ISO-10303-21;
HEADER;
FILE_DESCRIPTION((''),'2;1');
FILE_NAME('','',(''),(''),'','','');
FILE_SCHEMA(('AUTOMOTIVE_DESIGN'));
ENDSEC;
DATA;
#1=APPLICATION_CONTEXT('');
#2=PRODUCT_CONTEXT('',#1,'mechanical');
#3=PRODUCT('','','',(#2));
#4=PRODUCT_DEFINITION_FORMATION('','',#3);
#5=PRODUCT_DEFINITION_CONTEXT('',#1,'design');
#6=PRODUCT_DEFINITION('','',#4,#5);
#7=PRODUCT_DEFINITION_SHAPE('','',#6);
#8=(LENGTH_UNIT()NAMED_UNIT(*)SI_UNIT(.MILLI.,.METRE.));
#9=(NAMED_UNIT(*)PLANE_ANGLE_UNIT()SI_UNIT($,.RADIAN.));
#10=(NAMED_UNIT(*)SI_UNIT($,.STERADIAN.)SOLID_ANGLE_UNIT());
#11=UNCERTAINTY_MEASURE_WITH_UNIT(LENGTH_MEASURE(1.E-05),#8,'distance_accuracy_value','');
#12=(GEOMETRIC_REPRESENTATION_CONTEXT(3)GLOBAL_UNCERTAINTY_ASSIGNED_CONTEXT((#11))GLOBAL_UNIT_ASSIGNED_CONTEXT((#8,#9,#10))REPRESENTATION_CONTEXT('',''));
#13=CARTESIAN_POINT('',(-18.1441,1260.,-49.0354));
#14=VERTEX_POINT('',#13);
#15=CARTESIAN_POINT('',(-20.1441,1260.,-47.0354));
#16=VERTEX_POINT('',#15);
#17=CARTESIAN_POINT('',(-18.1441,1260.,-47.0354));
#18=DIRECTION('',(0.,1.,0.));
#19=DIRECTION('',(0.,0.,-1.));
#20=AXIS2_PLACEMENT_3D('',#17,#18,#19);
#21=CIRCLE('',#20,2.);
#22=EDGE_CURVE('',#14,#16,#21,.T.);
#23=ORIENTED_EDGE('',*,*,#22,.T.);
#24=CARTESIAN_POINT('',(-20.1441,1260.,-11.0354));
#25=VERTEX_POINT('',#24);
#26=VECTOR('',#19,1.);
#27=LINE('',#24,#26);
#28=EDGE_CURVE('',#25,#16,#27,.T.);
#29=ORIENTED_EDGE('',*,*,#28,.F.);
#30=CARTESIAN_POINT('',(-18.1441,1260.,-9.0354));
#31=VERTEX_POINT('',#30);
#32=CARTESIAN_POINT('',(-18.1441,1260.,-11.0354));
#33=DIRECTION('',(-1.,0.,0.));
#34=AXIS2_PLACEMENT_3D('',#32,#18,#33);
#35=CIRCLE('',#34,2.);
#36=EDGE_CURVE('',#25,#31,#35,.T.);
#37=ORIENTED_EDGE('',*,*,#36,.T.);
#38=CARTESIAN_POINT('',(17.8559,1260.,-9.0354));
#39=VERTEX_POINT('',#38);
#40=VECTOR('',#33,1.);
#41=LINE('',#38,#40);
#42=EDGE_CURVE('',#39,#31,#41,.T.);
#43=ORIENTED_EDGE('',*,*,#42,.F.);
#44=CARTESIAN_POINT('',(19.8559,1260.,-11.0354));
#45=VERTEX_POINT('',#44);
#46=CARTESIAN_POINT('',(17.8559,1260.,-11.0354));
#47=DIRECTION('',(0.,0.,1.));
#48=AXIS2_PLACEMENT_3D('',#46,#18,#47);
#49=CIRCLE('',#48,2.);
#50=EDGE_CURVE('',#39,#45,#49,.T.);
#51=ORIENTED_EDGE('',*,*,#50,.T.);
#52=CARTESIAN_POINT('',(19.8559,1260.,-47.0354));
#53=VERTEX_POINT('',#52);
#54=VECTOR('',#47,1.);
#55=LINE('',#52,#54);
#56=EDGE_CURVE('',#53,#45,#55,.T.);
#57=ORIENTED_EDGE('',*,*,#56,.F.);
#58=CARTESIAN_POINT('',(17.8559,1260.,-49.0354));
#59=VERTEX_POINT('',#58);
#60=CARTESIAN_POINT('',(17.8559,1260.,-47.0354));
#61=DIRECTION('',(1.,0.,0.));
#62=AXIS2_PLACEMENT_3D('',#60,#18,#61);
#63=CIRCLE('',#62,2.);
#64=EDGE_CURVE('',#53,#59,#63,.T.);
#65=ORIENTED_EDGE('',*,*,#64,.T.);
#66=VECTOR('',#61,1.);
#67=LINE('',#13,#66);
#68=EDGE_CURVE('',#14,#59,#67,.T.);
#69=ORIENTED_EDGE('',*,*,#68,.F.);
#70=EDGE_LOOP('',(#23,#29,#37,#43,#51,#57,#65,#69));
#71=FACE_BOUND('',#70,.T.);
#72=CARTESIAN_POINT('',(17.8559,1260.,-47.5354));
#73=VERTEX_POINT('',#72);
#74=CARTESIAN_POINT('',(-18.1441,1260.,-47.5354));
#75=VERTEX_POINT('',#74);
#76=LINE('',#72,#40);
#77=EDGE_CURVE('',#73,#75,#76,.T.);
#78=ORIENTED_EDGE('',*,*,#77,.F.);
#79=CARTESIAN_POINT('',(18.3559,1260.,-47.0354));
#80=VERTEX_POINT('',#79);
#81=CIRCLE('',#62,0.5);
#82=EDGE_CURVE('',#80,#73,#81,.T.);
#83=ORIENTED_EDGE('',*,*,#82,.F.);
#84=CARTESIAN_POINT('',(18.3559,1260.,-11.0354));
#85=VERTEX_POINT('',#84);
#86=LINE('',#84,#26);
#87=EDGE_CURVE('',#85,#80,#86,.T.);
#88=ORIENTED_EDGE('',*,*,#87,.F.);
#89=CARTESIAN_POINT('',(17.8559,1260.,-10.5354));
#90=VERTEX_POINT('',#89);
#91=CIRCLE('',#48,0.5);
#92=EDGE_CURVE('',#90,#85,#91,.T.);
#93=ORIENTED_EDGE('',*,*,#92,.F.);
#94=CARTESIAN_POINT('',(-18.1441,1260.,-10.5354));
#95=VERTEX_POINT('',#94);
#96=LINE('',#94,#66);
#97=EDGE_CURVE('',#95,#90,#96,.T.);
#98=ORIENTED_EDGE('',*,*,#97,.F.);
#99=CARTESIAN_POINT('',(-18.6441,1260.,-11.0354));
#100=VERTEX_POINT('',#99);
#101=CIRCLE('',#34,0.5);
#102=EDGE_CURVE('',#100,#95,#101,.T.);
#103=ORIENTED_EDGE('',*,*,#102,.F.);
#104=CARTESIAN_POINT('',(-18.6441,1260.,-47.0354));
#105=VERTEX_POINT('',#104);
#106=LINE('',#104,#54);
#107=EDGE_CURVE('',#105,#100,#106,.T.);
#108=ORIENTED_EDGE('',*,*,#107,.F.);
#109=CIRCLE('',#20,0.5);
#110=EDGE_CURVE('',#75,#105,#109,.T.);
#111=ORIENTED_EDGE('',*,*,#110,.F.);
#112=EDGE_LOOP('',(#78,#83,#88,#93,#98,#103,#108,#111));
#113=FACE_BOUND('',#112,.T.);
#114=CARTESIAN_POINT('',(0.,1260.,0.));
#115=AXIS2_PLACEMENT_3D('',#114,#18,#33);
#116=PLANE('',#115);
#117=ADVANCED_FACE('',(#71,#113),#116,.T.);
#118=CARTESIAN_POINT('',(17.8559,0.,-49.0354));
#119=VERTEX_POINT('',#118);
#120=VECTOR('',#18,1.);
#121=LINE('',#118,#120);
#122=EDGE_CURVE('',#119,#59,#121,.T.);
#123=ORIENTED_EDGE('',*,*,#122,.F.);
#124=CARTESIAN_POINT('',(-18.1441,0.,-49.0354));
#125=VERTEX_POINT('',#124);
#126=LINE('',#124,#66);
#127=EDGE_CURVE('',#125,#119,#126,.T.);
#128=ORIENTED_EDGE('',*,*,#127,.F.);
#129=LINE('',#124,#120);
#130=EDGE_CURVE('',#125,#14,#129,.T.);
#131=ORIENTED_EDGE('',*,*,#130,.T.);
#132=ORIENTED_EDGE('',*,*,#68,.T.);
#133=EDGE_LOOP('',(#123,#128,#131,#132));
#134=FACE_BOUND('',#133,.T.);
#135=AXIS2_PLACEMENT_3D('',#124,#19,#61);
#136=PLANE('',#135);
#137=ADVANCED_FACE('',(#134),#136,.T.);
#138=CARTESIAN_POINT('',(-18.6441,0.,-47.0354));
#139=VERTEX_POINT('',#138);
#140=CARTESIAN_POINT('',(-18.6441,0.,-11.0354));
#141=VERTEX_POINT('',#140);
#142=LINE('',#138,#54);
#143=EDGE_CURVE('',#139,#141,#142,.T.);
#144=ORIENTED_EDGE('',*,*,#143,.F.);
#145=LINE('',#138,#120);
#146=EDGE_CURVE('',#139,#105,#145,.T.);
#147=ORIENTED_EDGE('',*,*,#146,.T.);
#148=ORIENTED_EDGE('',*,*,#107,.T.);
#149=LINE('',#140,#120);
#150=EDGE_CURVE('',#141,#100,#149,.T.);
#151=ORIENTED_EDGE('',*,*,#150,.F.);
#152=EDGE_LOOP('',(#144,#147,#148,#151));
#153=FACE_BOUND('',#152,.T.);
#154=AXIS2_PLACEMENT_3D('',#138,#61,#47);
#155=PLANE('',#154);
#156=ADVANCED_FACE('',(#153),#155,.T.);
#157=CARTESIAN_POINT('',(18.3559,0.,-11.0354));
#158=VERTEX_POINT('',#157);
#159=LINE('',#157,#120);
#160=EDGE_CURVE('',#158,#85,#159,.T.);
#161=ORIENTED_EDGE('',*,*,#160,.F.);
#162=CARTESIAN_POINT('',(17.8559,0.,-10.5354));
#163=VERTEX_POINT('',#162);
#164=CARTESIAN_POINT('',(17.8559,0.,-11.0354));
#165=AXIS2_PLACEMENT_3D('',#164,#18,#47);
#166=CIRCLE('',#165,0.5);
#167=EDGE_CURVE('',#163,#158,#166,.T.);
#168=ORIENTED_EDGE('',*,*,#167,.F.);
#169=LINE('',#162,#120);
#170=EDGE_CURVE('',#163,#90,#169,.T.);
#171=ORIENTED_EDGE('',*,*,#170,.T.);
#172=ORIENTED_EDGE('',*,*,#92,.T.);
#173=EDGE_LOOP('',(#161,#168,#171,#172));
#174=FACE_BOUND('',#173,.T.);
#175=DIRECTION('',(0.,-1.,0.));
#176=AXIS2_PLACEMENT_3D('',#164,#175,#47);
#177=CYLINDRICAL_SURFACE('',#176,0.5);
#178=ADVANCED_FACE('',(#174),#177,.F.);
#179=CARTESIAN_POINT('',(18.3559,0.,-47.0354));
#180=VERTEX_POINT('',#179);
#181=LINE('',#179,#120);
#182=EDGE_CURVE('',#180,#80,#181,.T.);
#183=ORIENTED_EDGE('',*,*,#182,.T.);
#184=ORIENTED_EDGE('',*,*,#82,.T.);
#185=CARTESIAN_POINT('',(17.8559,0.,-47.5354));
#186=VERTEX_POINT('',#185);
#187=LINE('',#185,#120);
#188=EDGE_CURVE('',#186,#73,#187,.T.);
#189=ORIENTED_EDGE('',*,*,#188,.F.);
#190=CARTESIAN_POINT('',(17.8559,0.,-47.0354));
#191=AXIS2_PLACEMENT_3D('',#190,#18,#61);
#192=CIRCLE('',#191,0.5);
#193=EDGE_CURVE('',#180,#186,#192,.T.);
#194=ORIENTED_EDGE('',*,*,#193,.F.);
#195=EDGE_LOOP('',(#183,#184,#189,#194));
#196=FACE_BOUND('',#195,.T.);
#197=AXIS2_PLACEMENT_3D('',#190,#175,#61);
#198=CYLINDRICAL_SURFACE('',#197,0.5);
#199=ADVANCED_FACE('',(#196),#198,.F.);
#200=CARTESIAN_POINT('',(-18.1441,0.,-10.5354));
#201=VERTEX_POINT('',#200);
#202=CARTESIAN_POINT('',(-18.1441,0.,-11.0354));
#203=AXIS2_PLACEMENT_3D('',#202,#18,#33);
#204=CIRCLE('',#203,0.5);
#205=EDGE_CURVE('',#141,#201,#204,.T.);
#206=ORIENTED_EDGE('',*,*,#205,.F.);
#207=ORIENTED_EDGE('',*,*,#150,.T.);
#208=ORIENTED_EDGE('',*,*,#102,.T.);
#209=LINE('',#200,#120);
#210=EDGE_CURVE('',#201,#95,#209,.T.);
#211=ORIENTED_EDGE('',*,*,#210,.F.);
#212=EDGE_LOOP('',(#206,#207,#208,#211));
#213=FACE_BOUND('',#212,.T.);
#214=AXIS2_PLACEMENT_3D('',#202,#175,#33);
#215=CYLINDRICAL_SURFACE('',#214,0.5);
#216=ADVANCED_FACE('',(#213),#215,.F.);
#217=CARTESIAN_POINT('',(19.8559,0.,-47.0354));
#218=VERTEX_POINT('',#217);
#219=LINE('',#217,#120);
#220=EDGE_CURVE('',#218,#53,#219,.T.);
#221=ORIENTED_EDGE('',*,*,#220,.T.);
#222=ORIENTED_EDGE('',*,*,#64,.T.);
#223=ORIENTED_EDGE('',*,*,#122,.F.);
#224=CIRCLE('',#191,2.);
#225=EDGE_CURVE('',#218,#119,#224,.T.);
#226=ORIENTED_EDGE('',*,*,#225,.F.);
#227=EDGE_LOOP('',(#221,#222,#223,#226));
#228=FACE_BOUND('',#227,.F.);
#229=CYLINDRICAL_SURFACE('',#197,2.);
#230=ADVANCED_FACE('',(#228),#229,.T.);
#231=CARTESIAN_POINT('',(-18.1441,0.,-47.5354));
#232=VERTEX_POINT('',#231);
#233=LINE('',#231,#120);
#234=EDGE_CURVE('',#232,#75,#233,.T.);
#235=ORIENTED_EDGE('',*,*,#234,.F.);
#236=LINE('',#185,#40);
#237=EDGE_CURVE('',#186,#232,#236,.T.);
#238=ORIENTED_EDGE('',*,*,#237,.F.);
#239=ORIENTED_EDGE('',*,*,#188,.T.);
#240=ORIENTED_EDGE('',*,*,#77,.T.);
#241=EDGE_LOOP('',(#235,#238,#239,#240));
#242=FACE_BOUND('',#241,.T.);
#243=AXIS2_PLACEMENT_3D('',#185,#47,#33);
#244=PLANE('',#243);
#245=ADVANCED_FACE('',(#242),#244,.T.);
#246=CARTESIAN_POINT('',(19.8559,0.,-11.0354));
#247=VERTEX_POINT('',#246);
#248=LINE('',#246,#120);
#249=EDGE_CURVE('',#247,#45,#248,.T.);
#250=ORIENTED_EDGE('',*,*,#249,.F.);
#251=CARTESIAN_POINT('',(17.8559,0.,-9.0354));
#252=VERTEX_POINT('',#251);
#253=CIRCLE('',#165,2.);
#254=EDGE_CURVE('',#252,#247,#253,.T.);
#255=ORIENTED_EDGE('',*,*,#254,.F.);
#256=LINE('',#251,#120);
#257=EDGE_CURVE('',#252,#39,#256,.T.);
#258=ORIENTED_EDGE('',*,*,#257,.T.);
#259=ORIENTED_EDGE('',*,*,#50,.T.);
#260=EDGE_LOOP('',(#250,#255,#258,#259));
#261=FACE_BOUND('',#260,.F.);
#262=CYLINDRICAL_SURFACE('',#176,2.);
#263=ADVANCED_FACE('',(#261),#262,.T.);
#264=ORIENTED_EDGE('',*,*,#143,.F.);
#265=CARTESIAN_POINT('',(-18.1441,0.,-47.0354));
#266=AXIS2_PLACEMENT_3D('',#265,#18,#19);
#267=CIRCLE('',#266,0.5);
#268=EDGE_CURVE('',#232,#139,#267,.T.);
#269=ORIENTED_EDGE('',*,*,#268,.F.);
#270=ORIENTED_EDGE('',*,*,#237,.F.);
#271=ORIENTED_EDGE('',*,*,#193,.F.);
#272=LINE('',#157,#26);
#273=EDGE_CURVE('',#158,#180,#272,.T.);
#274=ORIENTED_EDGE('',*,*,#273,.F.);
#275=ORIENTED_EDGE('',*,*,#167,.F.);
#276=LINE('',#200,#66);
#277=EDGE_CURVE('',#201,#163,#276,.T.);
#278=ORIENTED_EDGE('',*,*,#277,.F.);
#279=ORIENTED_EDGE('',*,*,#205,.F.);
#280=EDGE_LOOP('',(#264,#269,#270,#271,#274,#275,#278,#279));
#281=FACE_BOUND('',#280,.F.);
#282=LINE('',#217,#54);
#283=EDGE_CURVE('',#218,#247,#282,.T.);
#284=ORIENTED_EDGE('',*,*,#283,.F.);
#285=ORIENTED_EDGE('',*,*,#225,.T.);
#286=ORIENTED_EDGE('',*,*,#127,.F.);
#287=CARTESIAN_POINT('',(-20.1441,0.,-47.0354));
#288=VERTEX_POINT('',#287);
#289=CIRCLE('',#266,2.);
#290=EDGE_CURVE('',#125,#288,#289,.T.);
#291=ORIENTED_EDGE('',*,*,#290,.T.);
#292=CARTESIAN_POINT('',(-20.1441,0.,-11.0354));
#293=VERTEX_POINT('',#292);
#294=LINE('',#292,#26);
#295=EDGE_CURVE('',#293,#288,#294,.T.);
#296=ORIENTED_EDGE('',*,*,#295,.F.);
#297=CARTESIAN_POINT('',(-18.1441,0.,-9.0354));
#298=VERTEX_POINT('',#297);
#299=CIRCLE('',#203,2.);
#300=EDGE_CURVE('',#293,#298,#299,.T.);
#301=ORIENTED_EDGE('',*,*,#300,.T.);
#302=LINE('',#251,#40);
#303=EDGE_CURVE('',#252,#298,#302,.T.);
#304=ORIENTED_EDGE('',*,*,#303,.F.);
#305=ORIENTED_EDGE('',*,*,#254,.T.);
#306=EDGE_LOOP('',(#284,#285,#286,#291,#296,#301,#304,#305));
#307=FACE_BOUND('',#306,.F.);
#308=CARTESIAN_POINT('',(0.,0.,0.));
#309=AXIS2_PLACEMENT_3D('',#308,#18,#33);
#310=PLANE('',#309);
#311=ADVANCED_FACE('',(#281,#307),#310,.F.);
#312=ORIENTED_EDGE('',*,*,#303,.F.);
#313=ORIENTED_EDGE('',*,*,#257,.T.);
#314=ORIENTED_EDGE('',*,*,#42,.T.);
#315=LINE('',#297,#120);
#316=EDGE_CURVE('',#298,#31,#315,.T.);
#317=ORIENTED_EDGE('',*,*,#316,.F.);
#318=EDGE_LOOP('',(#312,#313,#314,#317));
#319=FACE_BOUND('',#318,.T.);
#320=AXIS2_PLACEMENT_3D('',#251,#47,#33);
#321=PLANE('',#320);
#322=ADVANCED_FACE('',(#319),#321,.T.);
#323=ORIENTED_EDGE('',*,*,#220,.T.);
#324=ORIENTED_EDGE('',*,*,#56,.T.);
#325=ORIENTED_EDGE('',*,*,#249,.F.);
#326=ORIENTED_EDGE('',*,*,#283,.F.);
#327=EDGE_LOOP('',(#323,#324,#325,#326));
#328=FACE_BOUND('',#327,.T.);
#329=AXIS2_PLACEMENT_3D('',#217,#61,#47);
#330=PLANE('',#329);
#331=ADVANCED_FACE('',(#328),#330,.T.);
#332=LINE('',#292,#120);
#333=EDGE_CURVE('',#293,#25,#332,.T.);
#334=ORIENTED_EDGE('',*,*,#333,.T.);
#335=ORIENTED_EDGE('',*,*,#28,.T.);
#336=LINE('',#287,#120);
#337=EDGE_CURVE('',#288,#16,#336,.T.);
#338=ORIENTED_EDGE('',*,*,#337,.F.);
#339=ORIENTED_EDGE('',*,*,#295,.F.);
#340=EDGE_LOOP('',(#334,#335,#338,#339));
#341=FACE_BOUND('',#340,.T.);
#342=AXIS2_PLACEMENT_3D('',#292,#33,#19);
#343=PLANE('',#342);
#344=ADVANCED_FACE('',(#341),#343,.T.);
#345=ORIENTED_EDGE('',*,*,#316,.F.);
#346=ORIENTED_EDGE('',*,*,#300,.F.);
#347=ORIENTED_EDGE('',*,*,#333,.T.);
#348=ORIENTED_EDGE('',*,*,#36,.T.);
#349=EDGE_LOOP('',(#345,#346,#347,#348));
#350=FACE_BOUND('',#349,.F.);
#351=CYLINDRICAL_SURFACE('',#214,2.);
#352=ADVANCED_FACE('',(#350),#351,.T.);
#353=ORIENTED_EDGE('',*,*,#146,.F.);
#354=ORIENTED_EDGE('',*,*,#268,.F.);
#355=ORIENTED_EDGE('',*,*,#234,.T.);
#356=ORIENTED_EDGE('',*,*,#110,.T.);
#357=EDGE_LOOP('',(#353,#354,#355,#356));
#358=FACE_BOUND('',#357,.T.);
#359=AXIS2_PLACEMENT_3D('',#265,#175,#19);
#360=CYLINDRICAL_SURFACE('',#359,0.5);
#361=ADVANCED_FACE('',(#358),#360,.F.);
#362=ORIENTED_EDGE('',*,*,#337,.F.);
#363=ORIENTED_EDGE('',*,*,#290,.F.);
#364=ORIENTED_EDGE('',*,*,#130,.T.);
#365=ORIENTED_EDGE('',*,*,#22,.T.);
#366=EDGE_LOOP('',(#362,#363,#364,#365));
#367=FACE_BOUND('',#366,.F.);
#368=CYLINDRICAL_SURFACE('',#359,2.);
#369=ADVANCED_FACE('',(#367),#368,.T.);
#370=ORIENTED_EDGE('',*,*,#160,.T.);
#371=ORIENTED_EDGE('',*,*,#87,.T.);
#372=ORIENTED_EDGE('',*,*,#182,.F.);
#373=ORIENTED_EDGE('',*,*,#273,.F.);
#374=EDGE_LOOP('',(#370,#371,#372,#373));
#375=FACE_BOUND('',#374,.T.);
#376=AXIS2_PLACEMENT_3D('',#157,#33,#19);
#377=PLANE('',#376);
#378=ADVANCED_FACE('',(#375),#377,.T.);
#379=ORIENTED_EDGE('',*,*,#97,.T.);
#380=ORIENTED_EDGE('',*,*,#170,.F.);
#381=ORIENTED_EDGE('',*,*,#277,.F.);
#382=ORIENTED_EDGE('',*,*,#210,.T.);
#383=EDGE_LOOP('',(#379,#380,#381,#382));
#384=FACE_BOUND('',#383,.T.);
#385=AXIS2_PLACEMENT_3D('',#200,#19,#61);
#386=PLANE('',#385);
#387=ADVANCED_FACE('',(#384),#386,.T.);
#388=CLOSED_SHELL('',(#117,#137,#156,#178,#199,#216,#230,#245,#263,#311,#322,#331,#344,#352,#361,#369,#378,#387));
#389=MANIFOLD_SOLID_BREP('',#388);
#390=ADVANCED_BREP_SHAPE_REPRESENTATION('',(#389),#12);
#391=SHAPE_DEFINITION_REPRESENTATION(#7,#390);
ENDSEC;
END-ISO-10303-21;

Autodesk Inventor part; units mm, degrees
ref_plane "YZ Plane" through (0, 0, 0) normal (1, 0, 0) x (0, 1, 0)
ref_plane "XZ Plane" through (0, 0, 0) normal (0, 1, 0) x (-1, 0, 0)
ref_plane "XY Plane" through (0, 0, 0) normal (0, 0, 1) x (1, 0, 0)
sketch "Sketch1" plane through (0, 0, 0) normal (0, 1, 0) x (-1, 0, 0)
  line L0 (20.1441, -11.0354) -> (20.1441, -47.0354)
  line L1 (18.1441, -49.0354) -> (-17.8559, -49.0354)
  line L2 (-19.8559, -47.0354) -> (-19.8559, -11.0354)
  line L3 (-17.8559, -9.0354) -> (18.1441, -9.0354)
  arc A0 (20.1441, -11.0354) -> (18.1441, -9.0354) centre (18.1441, -11.0354) ccw
  arc A1 (18.1441, -49.0354) -> (20.1441, -47.0354) centre (18.1441, -47.0354) ccw
  arc A2 (-17.8559, -9.0354) -> (-19.8559, -11.0354) centre (-17.8559, -11.0354) ccw
  arc A3 (-19.8559, -47.0354) -> (-17.8559, -49.0354) centre (-17.8559, -47.0354) ccw
  line L4 (18.6441, -47.0354) -> (18.6441, -11.0354)
  arc A4 (18.6441, -11.0354) -> (18.1441, -10.5354) centre (18.1441, -11.0354) ccw
  line L5 (18.1441, -10.5354) -> (-17.8559, -10.5354)
  arc A5 (-17.8559, -10.5354) -> (-18.3559, -11.0354) centre (-17.8559, -11.0354) ccw
  line L6 (-18.3559, -11.0354) -> (-18.3559, -47.0354)
  arc A6 (-18.3559, -47.0354) -> (-17.8559, -47.5354) centre (-17.8559, -47.0354) ccw
  line L7 (-17.8559, -47.5354) -> (18.1441, -47.5354)
  arc A7 (18.1441, -47.5354) -> (18.6441, -47.0354) centre (18.1441, -47.0354) ccw
  point P0 (0, 0)
  point P1 (20.1441, -9.0354)
  point P2 (20.1441, -49.0354)
  point P3 (-19.8559, -49.0354)
  dimension "d0" = 40
  dimension "d1" = 40
  dimension "d2" = 2
  dimension "d3" = 1.5
extrude "Extrusion1" add sketch "Sketch1" along normal blind 1260
properties part number "METALON_SUPORTE_CHAPA"
